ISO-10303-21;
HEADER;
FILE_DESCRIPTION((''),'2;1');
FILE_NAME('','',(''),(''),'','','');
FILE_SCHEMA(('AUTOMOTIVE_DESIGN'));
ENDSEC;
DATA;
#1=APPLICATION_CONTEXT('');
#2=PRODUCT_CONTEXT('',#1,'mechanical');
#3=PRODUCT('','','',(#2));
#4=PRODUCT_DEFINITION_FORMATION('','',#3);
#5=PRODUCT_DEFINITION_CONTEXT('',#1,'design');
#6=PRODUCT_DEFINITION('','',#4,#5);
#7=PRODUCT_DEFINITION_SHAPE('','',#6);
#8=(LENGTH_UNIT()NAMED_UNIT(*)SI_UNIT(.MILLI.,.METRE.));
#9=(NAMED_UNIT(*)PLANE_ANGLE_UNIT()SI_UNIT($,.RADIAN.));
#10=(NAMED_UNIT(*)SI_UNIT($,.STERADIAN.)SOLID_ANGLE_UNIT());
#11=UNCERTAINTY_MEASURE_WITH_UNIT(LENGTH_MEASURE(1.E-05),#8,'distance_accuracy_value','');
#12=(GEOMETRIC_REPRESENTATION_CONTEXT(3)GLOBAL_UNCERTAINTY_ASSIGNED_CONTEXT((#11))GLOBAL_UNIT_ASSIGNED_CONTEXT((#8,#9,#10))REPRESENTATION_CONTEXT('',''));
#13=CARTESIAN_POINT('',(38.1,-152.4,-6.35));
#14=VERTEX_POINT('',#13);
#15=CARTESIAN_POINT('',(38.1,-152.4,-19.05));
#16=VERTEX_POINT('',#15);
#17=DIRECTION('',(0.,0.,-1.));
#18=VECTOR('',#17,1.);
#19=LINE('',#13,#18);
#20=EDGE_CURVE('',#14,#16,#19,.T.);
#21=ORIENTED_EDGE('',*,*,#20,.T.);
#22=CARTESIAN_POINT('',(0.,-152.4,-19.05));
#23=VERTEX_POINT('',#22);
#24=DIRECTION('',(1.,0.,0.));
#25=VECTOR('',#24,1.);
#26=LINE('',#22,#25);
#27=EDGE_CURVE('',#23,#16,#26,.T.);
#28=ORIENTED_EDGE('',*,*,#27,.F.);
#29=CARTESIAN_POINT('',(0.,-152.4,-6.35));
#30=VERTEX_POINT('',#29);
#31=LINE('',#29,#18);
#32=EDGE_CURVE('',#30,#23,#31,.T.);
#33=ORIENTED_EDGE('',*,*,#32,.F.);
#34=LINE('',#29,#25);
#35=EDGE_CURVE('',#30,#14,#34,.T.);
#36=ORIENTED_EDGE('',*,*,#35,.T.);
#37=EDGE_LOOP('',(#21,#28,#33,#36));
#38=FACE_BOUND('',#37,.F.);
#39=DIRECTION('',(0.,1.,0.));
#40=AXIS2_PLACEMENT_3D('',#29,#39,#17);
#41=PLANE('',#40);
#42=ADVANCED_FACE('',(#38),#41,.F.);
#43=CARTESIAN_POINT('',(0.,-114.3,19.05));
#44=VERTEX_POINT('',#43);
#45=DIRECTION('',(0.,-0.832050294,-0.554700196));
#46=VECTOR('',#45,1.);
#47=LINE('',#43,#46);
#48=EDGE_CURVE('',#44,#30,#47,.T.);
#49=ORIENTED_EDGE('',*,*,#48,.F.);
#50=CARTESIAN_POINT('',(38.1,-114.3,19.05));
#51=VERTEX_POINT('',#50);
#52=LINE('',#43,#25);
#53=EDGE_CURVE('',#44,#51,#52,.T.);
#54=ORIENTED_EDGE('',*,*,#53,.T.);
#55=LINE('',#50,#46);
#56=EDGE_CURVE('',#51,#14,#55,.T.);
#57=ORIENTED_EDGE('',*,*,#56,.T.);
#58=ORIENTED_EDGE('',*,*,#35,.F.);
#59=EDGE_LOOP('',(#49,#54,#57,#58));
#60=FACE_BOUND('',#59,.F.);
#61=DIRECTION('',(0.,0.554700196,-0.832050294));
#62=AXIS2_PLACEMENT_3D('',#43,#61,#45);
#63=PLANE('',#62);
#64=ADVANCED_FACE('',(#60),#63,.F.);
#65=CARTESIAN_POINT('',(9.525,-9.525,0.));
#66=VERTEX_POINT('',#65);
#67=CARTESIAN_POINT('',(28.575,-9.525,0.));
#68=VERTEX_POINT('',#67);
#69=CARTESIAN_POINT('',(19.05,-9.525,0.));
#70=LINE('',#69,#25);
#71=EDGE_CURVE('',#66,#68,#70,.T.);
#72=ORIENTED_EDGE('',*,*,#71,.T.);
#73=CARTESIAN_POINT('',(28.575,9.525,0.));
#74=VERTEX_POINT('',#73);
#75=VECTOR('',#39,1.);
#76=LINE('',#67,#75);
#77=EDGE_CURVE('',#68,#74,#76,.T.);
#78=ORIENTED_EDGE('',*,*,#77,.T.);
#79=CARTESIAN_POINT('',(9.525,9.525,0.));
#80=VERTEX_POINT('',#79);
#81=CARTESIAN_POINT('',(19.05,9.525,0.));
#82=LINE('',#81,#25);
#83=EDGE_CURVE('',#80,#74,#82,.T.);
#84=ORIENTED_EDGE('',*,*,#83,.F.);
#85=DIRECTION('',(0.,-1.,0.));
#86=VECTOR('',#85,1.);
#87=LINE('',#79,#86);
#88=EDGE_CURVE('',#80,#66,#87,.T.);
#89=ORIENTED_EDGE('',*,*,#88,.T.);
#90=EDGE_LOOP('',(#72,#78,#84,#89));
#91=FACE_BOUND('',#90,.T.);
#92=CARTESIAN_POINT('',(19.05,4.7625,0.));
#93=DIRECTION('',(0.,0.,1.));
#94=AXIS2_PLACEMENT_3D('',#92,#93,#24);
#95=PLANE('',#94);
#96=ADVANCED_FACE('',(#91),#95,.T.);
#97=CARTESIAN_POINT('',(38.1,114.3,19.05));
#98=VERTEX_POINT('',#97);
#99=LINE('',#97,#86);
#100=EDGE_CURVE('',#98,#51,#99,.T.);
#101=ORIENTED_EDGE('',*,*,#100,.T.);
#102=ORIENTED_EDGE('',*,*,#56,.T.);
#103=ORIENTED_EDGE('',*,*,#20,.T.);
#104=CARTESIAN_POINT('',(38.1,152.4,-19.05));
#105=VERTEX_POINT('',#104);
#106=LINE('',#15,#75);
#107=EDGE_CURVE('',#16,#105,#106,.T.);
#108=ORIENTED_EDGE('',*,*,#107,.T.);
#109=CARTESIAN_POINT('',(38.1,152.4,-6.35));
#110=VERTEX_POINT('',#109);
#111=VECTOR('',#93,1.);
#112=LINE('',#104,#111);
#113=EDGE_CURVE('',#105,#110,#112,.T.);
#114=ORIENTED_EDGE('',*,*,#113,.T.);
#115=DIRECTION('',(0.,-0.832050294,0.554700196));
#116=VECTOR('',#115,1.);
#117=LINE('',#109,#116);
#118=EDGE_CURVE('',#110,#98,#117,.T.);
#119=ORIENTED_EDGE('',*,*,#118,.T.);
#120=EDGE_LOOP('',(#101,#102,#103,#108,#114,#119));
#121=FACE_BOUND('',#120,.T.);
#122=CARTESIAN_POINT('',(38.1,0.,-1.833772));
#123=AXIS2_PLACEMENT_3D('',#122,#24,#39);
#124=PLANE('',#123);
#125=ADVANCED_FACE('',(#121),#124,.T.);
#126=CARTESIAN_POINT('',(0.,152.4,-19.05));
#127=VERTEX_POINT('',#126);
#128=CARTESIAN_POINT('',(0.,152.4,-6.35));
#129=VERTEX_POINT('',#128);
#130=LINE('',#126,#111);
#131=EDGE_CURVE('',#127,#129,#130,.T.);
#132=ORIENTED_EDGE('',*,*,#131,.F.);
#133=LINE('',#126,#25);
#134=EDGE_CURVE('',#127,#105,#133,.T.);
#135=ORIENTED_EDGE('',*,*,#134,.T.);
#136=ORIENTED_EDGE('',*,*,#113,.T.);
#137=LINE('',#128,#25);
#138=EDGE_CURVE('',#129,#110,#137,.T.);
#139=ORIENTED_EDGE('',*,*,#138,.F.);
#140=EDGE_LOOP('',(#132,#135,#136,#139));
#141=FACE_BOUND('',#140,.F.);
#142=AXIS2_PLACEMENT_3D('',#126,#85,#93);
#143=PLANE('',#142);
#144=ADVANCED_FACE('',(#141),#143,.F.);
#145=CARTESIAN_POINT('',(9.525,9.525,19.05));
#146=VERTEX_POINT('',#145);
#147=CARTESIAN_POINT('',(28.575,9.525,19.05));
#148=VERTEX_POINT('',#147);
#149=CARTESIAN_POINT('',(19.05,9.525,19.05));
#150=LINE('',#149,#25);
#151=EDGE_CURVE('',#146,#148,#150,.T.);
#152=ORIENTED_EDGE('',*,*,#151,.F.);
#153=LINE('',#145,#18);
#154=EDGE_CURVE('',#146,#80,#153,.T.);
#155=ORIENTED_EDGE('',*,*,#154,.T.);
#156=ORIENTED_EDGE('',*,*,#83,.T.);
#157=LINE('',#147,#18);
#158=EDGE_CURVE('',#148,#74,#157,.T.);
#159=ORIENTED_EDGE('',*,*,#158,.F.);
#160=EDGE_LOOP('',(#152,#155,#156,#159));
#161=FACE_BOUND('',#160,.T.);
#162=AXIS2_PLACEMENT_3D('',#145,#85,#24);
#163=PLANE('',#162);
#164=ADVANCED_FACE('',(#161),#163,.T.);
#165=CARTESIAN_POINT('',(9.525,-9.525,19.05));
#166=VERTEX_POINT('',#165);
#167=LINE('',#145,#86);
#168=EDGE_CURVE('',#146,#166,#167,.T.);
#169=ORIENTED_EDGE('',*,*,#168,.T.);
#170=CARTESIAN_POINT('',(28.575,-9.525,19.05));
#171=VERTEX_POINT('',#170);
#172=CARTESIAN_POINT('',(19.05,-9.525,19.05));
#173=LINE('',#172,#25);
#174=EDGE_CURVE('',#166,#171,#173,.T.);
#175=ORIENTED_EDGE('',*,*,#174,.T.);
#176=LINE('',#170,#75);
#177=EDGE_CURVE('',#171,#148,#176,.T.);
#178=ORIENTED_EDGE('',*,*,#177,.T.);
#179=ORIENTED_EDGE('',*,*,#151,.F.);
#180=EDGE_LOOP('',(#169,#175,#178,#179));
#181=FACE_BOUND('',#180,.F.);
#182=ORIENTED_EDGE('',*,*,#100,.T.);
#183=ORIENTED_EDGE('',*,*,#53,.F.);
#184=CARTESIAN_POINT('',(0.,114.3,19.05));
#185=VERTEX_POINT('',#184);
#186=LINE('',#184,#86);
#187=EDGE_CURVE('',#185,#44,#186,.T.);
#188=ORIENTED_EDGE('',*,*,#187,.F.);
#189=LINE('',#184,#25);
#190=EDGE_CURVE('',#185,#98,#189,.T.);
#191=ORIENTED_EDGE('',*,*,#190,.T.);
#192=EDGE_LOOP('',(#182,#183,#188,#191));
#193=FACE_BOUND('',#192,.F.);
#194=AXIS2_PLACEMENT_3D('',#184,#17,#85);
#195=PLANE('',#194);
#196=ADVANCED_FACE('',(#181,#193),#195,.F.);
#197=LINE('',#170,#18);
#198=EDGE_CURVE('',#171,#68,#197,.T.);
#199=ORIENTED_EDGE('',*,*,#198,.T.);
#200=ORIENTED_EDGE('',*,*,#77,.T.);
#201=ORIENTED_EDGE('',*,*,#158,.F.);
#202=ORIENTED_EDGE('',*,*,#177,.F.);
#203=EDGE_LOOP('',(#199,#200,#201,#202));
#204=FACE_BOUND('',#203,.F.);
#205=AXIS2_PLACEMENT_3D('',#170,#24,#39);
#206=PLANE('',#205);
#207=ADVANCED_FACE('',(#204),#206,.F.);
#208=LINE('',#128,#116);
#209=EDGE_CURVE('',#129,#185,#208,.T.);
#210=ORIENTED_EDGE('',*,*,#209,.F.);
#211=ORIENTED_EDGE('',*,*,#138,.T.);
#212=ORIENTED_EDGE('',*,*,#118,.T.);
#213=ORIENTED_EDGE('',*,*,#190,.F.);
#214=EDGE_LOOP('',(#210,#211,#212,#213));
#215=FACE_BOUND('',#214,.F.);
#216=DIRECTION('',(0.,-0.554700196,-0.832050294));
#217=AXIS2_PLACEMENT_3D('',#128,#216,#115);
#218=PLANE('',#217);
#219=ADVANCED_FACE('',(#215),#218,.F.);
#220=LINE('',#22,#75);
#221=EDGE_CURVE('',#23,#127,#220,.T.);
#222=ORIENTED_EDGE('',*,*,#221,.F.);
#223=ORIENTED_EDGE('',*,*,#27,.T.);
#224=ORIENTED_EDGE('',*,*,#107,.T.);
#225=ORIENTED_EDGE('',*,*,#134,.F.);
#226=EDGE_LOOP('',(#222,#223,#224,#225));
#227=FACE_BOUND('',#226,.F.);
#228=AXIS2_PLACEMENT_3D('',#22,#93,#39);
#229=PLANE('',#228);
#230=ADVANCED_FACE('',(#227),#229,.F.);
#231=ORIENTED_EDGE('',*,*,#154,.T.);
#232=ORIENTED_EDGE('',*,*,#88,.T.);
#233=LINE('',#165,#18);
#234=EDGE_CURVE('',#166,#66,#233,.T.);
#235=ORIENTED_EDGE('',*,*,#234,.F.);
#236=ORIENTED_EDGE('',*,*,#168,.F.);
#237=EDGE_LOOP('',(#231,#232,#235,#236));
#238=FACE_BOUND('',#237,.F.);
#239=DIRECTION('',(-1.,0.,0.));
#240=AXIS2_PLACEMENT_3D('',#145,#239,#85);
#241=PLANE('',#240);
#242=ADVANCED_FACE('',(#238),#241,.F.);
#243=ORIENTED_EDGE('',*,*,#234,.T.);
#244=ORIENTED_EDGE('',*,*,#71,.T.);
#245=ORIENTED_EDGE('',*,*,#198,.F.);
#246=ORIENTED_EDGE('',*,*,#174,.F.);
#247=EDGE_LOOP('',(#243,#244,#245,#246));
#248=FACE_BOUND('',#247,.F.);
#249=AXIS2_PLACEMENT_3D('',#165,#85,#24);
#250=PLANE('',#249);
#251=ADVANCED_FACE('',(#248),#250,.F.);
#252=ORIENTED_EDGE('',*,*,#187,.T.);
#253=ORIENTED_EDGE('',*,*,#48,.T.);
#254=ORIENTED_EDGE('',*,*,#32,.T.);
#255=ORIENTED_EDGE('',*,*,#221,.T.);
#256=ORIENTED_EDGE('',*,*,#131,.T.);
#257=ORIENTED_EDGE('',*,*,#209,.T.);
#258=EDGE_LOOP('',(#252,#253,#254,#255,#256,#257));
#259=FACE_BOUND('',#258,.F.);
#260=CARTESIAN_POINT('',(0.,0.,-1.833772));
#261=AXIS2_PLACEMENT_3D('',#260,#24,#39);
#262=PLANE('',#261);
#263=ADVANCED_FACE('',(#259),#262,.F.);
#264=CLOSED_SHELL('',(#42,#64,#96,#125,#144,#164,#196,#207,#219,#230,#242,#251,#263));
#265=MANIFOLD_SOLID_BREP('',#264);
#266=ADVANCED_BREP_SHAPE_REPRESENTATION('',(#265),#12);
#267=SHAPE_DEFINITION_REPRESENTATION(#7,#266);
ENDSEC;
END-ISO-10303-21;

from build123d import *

# Parameters (mm, degrees)
F1_DEPTH = 38.1
F2_W     = 19.05
F2_H     = 9.525
F3_DEPTH = 19.05


with BuildPart() as f1:
    # F0 (on Right) → F1 (new body)
    with BuildSketch(Plane.YZ):
        Polygon((152.4, -6.35), (114.3, 19.05), (-114.3, 19.05), (-152.4, -6.35), (-152.4, -19.05), (-101.6, -19.05), (76.2, -19.05), (152.4, -19.05), align=None)
    extrude(amount=F1_DEPTH)

    # F2 (on face) → F3 (cut)
    with BuildSketch(Plane.XY.offset(19.05)):
        with Locations((19.05, 4.7625)):
            Rectangle(F2_W, F2_H)
        with Locations((19.05, -4.7625)):
            Rectangle(F2_W, F2_H)
    extrude(amount=-F3_DEPTH, mode=Mode.SUBTRACT)


with BuildPart() as f4_1:
    # F4: copy of F1
    add(f1.part)


solid = f1.part
